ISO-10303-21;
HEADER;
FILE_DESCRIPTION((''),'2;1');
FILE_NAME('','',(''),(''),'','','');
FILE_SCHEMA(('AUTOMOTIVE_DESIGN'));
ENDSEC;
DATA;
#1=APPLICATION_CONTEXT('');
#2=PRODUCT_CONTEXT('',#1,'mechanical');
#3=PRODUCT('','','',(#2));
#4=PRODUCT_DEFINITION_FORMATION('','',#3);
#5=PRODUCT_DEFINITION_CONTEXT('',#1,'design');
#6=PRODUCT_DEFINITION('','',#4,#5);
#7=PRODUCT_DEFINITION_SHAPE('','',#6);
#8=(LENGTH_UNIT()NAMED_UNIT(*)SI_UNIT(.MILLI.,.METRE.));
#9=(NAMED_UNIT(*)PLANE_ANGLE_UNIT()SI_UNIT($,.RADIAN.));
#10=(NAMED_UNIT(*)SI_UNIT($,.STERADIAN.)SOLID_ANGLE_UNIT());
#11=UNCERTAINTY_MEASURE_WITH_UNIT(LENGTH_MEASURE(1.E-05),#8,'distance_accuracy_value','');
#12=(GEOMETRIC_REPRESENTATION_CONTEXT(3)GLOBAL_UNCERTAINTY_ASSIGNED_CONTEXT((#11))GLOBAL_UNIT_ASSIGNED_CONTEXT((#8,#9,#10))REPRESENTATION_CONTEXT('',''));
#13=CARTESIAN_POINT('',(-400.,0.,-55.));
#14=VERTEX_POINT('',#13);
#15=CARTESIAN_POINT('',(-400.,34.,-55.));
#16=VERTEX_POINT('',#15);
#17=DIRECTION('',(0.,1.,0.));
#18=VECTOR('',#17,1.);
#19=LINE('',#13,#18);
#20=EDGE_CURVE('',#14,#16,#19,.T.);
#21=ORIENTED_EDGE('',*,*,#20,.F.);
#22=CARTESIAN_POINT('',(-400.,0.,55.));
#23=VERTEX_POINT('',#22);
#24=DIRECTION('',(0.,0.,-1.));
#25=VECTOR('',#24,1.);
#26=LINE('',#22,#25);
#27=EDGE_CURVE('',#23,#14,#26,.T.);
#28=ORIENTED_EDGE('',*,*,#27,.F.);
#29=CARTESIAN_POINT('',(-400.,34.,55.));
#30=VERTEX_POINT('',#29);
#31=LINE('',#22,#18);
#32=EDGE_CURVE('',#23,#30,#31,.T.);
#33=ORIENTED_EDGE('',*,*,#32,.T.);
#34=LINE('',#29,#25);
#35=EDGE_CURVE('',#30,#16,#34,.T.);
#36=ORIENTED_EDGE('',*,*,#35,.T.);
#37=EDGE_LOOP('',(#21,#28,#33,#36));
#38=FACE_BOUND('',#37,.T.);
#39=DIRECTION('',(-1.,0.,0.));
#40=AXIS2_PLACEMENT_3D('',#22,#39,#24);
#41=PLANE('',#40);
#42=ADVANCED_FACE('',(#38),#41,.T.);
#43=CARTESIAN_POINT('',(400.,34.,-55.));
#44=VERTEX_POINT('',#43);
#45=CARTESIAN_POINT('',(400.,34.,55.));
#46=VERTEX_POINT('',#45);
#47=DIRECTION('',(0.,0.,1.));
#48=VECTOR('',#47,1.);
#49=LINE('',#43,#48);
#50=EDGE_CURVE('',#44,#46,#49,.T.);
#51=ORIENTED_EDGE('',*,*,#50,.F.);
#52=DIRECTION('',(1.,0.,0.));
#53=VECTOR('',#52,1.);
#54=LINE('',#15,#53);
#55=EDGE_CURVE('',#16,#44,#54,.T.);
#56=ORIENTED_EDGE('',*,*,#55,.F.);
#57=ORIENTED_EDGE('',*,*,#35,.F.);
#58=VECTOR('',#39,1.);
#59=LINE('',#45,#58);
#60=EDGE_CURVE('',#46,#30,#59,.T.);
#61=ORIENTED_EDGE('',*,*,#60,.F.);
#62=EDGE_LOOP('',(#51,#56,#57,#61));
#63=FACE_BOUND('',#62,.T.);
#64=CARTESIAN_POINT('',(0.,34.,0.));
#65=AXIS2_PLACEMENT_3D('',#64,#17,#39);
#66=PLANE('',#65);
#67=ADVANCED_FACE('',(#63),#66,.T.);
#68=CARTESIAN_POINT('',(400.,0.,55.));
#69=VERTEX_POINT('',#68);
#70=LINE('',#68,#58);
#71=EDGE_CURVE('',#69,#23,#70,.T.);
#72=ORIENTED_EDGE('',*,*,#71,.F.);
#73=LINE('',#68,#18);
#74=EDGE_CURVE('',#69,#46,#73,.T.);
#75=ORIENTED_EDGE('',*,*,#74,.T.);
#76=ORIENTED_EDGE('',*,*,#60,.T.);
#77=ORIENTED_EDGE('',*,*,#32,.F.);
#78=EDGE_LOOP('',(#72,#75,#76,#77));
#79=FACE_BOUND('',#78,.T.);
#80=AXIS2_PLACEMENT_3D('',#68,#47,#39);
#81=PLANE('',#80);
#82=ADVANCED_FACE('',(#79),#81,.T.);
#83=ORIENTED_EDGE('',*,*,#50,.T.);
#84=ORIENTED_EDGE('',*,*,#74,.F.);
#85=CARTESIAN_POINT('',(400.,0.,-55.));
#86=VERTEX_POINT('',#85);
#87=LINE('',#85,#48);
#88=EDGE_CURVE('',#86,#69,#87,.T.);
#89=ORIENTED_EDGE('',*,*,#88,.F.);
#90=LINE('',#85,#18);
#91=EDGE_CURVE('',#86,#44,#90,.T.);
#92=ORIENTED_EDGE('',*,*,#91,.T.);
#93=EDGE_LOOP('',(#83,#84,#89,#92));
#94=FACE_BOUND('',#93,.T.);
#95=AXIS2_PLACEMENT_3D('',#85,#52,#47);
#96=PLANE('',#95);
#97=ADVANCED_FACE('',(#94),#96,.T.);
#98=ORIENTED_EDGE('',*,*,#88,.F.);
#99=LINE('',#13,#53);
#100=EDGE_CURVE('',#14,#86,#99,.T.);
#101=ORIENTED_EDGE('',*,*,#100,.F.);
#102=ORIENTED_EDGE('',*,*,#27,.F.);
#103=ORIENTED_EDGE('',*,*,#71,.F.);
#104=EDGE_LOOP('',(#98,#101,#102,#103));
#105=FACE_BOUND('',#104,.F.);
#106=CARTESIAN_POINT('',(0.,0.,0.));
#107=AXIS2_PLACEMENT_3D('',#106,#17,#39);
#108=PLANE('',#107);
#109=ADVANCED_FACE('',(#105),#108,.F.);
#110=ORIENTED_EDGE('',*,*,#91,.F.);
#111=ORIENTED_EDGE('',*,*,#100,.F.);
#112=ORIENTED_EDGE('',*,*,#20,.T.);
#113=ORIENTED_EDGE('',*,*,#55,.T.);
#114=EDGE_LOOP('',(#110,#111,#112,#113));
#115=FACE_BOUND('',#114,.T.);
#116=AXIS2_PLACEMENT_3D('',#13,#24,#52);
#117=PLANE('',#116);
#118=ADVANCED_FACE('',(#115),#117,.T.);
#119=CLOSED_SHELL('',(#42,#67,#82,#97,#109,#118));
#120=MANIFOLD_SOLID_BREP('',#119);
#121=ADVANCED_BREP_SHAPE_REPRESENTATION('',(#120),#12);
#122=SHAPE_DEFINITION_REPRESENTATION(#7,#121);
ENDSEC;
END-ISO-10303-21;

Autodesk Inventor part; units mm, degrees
ref_plane "YZ Plane" through (0, 0, 0) normal (1, 0, 0) x (0, 1, 0)
ref_plane "XZ Plane" through (0, 0, 0) normal (0, 1, 0) x (-1, 0, 0)
ref_plane "XY Plane" through (0, 0, 0) normal (0, 0, 1) x (1, 0, 0)
sketch "Sketch1" plane through (0, 0, 0) normal (0, 1, 0) x (-1, 0, 0)
  line L0 (-400, 55) -> (400, 55)
  line L1 (400, 55) -> (400, -55)
  line L2 (400, -55) -> (-400, -55)
  line L3 (-400, -55) -> (-400, 55)
  line L4 (-400, 55) -> (400, -55) construction
  line L5 (400, 55) -> (-400, -55) construction
  point P0 (0, 0)
  dimension "d0" = 800
  dimension "d1" = 110
extrude "Extrusion1" add sketch "Sketch1" along normal blind 34
properties part number "BaseStand"
